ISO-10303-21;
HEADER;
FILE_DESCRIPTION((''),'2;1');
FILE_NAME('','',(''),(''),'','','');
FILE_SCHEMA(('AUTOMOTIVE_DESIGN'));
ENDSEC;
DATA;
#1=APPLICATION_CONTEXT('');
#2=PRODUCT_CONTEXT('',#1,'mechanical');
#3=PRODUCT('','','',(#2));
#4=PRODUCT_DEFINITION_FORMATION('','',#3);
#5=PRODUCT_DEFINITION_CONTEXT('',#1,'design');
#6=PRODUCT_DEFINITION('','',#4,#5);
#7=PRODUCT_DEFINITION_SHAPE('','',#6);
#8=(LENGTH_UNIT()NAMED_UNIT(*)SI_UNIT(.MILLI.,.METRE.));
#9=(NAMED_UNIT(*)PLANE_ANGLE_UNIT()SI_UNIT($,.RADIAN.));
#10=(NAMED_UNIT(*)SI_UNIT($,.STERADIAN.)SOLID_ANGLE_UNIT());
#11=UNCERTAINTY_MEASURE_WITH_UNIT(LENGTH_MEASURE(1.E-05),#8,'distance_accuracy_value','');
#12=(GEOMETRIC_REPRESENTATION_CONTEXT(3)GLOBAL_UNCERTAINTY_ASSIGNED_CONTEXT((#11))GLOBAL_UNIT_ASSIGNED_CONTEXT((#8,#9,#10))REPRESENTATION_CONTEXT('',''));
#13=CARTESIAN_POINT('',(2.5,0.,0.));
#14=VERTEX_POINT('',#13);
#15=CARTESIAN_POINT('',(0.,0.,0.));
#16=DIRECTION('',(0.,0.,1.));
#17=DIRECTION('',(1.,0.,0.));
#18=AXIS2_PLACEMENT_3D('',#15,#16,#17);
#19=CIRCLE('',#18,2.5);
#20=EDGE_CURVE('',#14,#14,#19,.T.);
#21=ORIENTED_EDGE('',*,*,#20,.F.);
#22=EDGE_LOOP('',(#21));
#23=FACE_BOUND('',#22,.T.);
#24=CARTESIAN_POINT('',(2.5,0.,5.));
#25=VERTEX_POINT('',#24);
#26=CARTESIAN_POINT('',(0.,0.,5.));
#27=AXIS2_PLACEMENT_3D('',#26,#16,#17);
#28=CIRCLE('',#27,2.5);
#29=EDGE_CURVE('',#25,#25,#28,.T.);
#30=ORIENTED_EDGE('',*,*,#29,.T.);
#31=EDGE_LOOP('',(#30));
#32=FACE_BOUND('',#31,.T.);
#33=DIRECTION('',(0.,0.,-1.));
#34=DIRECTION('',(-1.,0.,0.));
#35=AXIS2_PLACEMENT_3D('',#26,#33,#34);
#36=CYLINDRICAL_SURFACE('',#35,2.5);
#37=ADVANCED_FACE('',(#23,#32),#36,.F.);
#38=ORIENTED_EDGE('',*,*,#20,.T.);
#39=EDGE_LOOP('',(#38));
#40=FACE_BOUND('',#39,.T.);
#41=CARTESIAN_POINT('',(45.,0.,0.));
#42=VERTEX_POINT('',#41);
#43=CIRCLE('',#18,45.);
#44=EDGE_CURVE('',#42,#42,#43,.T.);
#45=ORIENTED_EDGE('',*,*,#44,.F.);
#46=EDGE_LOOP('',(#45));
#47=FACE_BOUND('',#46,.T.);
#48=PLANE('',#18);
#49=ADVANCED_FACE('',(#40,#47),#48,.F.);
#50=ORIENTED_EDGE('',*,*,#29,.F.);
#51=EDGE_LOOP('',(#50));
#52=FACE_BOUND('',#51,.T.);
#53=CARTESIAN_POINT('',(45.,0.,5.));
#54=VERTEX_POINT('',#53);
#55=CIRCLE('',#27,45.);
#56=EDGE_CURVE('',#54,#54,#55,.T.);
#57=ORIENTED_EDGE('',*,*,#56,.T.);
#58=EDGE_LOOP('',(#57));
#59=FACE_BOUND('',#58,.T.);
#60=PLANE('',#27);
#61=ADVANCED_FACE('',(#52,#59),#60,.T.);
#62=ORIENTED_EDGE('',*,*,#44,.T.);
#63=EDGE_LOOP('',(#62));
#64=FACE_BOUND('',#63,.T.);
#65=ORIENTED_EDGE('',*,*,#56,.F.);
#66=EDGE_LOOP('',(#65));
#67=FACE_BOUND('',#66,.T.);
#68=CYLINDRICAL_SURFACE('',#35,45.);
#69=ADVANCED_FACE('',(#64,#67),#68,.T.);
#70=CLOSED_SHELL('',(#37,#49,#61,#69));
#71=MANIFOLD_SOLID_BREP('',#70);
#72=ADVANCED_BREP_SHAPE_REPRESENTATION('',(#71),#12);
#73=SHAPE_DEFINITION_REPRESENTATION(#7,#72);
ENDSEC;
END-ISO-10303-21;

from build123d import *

# Parameters (mm, degrees)
ESBO_O1_R       = 45
ESBO_O1_R_2     = 2.5
EXTRUS_O1_DEPTH = 5


with BuildPart() as part:
    # Esboço1 → Extrusão1 (new body)
    with BuildSketch(Plane.XY):
        Circle(ESBO_O1_R)
        Circle(ESBO_O1_R_2, mode=Mode.SUBTRACT)
    extrude(amount=EXTRUS_O1_DEPTH)


solid = part.part
